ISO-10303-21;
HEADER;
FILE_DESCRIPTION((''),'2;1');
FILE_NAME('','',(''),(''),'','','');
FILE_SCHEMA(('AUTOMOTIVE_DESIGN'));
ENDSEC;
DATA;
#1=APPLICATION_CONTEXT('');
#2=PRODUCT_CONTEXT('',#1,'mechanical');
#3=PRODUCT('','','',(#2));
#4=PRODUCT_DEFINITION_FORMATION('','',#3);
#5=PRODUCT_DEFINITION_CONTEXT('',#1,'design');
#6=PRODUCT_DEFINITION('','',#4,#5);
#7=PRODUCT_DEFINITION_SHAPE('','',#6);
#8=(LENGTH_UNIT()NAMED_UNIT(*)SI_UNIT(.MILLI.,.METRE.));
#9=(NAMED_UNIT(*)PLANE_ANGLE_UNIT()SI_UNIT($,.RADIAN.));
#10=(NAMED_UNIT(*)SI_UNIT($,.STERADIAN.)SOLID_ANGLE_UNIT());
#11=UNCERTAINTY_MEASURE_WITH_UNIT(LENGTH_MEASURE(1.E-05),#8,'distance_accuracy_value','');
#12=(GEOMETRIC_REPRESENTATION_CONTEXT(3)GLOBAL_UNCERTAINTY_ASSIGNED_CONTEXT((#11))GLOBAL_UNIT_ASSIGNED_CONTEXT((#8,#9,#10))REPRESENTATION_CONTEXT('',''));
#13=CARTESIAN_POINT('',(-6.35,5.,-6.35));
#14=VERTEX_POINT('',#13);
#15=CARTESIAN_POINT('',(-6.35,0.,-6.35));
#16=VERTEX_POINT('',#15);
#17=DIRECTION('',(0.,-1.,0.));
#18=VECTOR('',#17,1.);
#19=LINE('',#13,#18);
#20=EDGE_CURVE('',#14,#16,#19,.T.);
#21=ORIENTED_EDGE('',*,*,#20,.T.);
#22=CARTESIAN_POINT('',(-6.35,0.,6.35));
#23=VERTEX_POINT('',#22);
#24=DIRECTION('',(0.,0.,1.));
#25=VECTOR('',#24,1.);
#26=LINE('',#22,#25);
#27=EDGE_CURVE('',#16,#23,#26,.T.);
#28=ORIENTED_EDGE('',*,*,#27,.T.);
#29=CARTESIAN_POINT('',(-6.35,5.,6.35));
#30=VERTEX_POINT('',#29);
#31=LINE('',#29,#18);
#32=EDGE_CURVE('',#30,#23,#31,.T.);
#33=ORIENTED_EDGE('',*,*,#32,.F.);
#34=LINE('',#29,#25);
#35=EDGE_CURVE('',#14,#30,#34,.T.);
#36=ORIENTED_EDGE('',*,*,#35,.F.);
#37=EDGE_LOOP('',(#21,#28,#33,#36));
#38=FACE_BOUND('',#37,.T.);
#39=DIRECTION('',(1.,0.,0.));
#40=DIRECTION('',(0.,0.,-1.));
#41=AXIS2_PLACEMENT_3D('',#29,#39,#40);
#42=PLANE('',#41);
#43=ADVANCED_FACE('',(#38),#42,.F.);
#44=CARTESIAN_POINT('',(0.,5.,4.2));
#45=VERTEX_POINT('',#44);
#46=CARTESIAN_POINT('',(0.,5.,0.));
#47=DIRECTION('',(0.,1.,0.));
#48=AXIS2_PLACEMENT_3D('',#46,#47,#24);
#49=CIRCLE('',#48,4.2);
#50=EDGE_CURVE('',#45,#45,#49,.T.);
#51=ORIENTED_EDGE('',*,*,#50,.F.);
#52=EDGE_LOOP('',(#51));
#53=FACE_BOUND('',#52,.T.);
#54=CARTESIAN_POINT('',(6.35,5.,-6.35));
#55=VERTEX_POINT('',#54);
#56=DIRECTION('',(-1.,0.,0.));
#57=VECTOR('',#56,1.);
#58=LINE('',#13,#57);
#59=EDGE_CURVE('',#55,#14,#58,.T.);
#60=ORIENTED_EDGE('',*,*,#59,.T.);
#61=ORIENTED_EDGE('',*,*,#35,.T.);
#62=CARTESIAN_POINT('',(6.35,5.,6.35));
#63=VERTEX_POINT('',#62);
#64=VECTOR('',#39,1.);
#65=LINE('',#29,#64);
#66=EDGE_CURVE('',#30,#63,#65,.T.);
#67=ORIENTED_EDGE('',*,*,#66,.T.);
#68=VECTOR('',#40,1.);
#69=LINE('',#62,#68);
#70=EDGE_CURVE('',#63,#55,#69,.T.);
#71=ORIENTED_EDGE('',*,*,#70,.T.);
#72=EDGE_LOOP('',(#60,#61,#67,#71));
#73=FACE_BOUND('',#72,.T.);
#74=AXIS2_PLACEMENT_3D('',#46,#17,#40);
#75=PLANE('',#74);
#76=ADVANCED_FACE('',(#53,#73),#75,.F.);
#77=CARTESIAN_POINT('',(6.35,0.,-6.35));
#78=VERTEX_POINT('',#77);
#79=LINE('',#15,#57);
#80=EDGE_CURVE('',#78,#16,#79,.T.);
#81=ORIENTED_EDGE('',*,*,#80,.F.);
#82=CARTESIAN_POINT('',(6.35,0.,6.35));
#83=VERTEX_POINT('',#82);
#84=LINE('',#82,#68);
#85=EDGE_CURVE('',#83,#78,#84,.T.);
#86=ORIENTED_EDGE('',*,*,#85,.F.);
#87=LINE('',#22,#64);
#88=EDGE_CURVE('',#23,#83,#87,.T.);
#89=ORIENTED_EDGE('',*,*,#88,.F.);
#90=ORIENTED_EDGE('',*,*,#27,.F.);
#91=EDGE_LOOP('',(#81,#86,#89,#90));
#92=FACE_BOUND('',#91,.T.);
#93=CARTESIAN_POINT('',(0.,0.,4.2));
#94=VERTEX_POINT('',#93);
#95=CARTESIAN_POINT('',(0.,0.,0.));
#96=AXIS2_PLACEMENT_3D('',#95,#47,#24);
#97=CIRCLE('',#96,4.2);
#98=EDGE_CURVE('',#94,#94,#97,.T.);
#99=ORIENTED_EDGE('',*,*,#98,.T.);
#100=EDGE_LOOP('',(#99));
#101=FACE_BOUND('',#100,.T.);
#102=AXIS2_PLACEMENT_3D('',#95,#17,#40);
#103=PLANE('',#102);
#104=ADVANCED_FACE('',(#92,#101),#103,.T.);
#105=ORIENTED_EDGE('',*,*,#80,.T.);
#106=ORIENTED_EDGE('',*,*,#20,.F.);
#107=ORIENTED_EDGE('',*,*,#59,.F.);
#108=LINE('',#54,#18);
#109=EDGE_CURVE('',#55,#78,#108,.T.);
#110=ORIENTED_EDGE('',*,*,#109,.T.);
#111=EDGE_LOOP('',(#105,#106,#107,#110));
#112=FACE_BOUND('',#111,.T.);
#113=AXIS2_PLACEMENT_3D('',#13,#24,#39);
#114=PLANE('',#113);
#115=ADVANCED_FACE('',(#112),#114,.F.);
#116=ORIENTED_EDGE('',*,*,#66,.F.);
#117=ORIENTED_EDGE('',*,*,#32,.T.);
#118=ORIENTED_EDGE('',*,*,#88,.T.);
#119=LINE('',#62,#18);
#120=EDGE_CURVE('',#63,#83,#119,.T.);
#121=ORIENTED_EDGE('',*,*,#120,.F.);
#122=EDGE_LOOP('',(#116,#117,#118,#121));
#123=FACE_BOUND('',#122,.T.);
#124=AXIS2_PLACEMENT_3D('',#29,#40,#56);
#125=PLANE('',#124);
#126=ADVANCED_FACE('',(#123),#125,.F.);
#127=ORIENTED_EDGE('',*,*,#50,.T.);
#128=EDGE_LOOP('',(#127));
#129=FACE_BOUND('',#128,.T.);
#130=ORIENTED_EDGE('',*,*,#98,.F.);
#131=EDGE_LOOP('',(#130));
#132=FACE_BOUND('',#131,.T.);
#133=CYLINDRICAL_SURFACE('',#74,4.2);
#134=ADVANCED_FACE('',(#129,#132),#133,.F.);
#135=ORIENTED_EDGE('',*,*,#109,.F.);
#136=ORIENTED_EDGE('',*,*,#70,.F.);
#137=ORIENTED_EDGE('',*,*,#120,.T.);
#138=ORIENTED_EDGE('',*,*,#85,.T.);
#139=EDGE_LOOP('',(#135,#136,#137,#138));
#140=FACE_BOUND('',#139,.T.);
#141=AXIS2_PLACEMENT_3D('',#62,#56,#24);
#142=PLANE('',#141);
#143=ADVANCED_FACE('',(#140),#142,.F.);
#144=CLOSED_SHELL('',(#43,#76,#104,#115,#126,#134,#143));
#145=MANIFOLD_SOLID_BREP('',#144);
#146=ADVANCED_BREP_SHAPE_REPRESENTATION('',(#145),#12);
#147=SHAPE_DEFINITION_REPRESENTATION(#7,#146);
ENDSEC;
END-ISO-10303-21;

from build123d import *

# Parameters (mm, degrees)
SKETCH1_W           = 12.7
SKETCH1_H           = 12.7
SKETCH1_R           = 4.2
BOSS_EXTRUDE1_DEPTH = 5


with BuildPart() as part:
    # Sketch1 → Boss-Extrude1 (new body)
    with BuildSketch(Plane(origin=(0, 0, 0), x_dir=(1, 0, 0), z_dir=(0, 1, 0))):
        Rectangle(SKETCH1_W, SKETCH1_H)
        Circle(SKETCH1_R, mode=Mode.SUBTRACT)
    extrude(amount=BOSS_EXTRUDE1_DEPTH)


solid = part.part
